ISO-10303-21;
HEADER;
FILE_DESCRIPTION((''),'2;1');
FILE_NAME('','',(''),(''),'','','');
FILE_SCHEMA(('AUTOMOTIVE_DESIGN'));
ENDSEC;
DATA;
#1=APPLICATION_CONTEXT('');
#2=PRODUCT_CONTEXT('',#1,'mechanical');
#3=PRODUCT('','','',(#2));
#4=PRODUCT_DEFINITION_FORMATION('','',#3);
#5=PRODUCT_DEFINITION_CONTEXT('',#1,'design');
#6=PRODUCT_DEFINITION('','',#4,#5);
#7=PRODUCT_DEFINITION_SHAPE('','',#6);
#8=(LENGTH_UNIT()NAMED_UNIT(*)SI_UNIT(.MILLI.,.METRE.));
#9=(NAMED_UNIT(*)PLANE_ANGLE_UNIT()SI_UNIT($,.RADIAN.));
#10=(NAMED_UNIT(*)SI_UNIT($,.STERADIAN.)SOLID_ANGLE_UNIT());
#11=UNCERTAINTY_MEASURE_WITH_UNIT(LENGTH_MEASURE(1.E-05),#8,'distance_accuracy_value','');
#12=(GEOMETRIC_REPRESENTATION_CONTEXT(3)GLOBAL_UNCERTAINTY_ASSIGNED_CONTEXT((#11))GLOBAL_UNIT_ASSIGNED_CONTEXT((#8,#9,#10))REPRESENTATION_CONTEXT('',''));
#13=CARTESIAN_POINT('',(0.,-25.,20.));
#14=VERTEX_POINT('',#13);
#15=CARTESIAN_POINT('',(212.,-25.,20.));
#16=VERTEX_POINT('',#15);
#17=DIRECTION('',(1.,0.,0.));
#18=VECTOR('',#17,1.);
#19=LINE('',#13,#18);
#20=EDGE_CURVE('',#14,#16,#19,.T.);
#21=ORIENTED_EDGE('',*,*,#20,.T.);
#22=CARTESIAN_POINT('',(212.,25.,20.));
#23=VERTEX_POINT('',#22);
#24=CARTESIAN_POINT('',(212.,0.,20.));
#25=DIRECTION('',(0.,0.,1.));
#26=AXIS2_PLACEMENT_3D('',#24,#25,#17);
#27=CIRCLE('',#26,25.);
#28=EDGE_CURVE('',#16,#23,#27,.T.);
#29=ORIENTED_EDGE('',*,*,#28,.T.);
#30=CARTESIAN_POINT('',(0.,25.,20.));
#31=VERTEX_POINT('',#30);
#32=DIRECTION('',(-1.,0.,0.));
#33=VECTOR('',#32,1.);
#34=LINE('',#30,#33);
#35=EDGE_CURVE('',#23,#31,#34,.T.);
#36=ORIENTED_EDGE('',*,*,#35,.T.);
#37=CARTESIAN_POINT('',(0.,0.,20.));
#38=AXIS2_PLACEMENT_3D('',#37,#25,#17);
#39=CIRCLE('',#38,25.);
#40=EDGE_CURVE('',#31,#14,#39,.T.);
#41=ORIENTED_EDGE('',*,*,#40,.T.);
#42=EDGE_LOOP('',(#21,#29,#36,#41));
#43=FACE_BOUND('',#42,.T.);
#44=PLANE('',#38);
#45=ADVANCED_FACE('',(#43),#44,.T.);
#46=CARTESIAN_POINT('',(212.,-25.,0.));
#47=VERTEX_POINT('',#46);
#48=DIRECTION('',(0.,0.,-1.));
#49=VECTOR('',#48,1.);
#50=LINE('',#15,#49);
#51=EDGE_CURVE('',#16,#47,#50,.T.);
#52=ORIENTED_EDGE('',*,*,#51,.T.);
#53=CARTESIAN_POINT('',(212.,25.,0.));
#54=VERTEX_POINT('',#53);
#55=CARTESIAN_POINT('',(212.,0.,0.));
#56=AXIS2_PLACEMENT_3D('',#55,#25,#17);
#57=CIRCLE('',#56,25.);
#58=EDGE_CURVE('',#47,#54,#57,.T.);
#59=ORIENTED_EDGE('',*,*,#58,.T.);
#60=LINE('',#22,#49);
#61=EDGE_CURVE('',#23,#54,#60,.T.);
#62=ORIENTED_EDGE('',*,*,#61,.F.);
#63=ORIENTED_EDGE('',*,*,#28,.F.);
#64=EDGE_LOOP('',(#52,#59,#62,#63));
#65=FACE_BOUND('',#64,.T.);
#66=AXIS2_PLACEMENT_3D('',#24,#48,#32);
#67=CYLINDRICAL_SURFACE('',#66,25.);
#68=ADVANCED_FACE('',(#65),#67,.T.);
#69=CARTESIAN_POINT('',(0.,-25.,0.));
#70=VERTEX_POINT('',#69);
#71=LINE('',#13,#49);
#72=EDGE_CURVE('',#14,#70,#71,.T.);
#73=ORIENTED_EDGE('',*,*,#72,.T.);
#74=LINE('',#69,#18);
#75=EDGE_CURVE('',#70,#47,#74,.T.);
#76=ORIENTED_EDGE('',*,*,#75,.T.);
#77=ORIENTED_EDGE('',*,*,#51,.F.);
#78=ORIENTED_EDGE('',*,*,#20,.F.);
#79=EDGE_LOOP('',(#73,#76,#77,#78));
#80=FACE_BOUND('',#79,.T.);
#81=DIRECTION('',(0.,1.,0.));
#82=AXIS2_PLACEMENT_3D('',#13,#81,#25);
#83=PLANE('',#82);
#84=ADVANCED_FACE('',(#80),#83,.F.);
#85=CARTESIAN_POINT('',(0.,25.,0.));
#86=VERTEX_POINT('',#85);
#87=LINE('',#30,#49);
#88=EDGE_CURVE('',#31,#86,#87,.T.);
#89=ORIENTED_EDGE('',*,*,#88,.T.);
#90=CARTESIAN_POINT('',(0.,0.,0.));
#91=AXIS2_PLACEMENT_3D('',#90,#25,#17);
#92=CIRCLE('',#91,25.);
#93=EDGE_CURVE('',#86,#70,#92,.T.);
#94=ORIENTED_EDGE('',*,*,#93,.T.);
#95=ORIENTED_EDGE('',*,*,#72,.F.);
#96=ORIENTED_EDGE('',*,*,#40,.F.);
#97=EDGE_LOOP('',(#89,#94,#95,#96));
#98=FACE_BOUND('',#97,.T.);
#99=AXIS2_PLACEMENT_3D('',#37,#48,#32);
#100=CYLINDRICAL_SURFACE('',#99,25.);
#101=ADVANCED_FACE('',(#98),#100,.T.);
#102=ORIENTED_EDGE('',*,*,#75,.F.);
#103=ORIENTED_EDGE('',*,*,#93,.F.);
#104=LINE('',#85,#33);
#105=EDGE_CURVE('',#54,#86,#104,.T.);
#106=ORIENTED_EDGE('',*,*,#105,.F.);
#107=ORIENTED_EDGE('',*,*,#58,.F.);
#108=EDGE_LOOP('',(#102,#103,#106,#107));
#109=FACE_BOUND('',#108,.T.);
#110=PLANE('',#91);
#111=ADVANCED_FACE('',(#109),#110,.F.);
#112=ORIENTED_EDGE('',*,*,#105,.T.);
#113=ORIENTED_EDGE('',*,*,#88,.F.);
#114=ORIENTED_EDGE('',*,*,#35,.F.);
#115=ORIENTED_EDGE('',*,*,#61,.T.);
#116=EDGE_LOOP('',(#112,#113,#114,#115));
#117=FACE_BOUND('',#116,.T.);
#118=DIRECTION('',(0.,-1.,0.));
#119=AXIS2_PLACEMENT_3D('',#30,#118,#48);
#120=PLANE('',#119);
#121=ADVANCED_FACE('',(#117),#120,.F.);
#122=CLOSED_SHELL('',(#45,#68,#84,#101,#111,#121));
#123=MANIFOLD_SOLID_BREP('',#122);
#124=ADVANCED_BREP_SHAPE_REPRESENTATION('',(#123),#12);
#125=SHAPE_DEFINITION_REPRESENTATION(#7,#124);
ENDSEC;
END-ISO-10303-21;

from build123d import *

# Parameters (mm, degrees)
EXTRUDE_1_DEPTH = 20


with BuildPart() as part:
    # 草图1 → 凸台-拉伸1 (new body)
    with BuildSketch(Plane.XY):
        with BuildLine():
            Line((0, 25), (212, 25))
            ThreePointArc((212, 25), (237, 0), (212, -25))
            Line((212, -25), (0, -25))
            ThreePointArc((0, -25), (-25, 0), (0, 25))
        make_face()
    extrude(amount=EXTRUDE_1_DEPTH)


solid = part.part
